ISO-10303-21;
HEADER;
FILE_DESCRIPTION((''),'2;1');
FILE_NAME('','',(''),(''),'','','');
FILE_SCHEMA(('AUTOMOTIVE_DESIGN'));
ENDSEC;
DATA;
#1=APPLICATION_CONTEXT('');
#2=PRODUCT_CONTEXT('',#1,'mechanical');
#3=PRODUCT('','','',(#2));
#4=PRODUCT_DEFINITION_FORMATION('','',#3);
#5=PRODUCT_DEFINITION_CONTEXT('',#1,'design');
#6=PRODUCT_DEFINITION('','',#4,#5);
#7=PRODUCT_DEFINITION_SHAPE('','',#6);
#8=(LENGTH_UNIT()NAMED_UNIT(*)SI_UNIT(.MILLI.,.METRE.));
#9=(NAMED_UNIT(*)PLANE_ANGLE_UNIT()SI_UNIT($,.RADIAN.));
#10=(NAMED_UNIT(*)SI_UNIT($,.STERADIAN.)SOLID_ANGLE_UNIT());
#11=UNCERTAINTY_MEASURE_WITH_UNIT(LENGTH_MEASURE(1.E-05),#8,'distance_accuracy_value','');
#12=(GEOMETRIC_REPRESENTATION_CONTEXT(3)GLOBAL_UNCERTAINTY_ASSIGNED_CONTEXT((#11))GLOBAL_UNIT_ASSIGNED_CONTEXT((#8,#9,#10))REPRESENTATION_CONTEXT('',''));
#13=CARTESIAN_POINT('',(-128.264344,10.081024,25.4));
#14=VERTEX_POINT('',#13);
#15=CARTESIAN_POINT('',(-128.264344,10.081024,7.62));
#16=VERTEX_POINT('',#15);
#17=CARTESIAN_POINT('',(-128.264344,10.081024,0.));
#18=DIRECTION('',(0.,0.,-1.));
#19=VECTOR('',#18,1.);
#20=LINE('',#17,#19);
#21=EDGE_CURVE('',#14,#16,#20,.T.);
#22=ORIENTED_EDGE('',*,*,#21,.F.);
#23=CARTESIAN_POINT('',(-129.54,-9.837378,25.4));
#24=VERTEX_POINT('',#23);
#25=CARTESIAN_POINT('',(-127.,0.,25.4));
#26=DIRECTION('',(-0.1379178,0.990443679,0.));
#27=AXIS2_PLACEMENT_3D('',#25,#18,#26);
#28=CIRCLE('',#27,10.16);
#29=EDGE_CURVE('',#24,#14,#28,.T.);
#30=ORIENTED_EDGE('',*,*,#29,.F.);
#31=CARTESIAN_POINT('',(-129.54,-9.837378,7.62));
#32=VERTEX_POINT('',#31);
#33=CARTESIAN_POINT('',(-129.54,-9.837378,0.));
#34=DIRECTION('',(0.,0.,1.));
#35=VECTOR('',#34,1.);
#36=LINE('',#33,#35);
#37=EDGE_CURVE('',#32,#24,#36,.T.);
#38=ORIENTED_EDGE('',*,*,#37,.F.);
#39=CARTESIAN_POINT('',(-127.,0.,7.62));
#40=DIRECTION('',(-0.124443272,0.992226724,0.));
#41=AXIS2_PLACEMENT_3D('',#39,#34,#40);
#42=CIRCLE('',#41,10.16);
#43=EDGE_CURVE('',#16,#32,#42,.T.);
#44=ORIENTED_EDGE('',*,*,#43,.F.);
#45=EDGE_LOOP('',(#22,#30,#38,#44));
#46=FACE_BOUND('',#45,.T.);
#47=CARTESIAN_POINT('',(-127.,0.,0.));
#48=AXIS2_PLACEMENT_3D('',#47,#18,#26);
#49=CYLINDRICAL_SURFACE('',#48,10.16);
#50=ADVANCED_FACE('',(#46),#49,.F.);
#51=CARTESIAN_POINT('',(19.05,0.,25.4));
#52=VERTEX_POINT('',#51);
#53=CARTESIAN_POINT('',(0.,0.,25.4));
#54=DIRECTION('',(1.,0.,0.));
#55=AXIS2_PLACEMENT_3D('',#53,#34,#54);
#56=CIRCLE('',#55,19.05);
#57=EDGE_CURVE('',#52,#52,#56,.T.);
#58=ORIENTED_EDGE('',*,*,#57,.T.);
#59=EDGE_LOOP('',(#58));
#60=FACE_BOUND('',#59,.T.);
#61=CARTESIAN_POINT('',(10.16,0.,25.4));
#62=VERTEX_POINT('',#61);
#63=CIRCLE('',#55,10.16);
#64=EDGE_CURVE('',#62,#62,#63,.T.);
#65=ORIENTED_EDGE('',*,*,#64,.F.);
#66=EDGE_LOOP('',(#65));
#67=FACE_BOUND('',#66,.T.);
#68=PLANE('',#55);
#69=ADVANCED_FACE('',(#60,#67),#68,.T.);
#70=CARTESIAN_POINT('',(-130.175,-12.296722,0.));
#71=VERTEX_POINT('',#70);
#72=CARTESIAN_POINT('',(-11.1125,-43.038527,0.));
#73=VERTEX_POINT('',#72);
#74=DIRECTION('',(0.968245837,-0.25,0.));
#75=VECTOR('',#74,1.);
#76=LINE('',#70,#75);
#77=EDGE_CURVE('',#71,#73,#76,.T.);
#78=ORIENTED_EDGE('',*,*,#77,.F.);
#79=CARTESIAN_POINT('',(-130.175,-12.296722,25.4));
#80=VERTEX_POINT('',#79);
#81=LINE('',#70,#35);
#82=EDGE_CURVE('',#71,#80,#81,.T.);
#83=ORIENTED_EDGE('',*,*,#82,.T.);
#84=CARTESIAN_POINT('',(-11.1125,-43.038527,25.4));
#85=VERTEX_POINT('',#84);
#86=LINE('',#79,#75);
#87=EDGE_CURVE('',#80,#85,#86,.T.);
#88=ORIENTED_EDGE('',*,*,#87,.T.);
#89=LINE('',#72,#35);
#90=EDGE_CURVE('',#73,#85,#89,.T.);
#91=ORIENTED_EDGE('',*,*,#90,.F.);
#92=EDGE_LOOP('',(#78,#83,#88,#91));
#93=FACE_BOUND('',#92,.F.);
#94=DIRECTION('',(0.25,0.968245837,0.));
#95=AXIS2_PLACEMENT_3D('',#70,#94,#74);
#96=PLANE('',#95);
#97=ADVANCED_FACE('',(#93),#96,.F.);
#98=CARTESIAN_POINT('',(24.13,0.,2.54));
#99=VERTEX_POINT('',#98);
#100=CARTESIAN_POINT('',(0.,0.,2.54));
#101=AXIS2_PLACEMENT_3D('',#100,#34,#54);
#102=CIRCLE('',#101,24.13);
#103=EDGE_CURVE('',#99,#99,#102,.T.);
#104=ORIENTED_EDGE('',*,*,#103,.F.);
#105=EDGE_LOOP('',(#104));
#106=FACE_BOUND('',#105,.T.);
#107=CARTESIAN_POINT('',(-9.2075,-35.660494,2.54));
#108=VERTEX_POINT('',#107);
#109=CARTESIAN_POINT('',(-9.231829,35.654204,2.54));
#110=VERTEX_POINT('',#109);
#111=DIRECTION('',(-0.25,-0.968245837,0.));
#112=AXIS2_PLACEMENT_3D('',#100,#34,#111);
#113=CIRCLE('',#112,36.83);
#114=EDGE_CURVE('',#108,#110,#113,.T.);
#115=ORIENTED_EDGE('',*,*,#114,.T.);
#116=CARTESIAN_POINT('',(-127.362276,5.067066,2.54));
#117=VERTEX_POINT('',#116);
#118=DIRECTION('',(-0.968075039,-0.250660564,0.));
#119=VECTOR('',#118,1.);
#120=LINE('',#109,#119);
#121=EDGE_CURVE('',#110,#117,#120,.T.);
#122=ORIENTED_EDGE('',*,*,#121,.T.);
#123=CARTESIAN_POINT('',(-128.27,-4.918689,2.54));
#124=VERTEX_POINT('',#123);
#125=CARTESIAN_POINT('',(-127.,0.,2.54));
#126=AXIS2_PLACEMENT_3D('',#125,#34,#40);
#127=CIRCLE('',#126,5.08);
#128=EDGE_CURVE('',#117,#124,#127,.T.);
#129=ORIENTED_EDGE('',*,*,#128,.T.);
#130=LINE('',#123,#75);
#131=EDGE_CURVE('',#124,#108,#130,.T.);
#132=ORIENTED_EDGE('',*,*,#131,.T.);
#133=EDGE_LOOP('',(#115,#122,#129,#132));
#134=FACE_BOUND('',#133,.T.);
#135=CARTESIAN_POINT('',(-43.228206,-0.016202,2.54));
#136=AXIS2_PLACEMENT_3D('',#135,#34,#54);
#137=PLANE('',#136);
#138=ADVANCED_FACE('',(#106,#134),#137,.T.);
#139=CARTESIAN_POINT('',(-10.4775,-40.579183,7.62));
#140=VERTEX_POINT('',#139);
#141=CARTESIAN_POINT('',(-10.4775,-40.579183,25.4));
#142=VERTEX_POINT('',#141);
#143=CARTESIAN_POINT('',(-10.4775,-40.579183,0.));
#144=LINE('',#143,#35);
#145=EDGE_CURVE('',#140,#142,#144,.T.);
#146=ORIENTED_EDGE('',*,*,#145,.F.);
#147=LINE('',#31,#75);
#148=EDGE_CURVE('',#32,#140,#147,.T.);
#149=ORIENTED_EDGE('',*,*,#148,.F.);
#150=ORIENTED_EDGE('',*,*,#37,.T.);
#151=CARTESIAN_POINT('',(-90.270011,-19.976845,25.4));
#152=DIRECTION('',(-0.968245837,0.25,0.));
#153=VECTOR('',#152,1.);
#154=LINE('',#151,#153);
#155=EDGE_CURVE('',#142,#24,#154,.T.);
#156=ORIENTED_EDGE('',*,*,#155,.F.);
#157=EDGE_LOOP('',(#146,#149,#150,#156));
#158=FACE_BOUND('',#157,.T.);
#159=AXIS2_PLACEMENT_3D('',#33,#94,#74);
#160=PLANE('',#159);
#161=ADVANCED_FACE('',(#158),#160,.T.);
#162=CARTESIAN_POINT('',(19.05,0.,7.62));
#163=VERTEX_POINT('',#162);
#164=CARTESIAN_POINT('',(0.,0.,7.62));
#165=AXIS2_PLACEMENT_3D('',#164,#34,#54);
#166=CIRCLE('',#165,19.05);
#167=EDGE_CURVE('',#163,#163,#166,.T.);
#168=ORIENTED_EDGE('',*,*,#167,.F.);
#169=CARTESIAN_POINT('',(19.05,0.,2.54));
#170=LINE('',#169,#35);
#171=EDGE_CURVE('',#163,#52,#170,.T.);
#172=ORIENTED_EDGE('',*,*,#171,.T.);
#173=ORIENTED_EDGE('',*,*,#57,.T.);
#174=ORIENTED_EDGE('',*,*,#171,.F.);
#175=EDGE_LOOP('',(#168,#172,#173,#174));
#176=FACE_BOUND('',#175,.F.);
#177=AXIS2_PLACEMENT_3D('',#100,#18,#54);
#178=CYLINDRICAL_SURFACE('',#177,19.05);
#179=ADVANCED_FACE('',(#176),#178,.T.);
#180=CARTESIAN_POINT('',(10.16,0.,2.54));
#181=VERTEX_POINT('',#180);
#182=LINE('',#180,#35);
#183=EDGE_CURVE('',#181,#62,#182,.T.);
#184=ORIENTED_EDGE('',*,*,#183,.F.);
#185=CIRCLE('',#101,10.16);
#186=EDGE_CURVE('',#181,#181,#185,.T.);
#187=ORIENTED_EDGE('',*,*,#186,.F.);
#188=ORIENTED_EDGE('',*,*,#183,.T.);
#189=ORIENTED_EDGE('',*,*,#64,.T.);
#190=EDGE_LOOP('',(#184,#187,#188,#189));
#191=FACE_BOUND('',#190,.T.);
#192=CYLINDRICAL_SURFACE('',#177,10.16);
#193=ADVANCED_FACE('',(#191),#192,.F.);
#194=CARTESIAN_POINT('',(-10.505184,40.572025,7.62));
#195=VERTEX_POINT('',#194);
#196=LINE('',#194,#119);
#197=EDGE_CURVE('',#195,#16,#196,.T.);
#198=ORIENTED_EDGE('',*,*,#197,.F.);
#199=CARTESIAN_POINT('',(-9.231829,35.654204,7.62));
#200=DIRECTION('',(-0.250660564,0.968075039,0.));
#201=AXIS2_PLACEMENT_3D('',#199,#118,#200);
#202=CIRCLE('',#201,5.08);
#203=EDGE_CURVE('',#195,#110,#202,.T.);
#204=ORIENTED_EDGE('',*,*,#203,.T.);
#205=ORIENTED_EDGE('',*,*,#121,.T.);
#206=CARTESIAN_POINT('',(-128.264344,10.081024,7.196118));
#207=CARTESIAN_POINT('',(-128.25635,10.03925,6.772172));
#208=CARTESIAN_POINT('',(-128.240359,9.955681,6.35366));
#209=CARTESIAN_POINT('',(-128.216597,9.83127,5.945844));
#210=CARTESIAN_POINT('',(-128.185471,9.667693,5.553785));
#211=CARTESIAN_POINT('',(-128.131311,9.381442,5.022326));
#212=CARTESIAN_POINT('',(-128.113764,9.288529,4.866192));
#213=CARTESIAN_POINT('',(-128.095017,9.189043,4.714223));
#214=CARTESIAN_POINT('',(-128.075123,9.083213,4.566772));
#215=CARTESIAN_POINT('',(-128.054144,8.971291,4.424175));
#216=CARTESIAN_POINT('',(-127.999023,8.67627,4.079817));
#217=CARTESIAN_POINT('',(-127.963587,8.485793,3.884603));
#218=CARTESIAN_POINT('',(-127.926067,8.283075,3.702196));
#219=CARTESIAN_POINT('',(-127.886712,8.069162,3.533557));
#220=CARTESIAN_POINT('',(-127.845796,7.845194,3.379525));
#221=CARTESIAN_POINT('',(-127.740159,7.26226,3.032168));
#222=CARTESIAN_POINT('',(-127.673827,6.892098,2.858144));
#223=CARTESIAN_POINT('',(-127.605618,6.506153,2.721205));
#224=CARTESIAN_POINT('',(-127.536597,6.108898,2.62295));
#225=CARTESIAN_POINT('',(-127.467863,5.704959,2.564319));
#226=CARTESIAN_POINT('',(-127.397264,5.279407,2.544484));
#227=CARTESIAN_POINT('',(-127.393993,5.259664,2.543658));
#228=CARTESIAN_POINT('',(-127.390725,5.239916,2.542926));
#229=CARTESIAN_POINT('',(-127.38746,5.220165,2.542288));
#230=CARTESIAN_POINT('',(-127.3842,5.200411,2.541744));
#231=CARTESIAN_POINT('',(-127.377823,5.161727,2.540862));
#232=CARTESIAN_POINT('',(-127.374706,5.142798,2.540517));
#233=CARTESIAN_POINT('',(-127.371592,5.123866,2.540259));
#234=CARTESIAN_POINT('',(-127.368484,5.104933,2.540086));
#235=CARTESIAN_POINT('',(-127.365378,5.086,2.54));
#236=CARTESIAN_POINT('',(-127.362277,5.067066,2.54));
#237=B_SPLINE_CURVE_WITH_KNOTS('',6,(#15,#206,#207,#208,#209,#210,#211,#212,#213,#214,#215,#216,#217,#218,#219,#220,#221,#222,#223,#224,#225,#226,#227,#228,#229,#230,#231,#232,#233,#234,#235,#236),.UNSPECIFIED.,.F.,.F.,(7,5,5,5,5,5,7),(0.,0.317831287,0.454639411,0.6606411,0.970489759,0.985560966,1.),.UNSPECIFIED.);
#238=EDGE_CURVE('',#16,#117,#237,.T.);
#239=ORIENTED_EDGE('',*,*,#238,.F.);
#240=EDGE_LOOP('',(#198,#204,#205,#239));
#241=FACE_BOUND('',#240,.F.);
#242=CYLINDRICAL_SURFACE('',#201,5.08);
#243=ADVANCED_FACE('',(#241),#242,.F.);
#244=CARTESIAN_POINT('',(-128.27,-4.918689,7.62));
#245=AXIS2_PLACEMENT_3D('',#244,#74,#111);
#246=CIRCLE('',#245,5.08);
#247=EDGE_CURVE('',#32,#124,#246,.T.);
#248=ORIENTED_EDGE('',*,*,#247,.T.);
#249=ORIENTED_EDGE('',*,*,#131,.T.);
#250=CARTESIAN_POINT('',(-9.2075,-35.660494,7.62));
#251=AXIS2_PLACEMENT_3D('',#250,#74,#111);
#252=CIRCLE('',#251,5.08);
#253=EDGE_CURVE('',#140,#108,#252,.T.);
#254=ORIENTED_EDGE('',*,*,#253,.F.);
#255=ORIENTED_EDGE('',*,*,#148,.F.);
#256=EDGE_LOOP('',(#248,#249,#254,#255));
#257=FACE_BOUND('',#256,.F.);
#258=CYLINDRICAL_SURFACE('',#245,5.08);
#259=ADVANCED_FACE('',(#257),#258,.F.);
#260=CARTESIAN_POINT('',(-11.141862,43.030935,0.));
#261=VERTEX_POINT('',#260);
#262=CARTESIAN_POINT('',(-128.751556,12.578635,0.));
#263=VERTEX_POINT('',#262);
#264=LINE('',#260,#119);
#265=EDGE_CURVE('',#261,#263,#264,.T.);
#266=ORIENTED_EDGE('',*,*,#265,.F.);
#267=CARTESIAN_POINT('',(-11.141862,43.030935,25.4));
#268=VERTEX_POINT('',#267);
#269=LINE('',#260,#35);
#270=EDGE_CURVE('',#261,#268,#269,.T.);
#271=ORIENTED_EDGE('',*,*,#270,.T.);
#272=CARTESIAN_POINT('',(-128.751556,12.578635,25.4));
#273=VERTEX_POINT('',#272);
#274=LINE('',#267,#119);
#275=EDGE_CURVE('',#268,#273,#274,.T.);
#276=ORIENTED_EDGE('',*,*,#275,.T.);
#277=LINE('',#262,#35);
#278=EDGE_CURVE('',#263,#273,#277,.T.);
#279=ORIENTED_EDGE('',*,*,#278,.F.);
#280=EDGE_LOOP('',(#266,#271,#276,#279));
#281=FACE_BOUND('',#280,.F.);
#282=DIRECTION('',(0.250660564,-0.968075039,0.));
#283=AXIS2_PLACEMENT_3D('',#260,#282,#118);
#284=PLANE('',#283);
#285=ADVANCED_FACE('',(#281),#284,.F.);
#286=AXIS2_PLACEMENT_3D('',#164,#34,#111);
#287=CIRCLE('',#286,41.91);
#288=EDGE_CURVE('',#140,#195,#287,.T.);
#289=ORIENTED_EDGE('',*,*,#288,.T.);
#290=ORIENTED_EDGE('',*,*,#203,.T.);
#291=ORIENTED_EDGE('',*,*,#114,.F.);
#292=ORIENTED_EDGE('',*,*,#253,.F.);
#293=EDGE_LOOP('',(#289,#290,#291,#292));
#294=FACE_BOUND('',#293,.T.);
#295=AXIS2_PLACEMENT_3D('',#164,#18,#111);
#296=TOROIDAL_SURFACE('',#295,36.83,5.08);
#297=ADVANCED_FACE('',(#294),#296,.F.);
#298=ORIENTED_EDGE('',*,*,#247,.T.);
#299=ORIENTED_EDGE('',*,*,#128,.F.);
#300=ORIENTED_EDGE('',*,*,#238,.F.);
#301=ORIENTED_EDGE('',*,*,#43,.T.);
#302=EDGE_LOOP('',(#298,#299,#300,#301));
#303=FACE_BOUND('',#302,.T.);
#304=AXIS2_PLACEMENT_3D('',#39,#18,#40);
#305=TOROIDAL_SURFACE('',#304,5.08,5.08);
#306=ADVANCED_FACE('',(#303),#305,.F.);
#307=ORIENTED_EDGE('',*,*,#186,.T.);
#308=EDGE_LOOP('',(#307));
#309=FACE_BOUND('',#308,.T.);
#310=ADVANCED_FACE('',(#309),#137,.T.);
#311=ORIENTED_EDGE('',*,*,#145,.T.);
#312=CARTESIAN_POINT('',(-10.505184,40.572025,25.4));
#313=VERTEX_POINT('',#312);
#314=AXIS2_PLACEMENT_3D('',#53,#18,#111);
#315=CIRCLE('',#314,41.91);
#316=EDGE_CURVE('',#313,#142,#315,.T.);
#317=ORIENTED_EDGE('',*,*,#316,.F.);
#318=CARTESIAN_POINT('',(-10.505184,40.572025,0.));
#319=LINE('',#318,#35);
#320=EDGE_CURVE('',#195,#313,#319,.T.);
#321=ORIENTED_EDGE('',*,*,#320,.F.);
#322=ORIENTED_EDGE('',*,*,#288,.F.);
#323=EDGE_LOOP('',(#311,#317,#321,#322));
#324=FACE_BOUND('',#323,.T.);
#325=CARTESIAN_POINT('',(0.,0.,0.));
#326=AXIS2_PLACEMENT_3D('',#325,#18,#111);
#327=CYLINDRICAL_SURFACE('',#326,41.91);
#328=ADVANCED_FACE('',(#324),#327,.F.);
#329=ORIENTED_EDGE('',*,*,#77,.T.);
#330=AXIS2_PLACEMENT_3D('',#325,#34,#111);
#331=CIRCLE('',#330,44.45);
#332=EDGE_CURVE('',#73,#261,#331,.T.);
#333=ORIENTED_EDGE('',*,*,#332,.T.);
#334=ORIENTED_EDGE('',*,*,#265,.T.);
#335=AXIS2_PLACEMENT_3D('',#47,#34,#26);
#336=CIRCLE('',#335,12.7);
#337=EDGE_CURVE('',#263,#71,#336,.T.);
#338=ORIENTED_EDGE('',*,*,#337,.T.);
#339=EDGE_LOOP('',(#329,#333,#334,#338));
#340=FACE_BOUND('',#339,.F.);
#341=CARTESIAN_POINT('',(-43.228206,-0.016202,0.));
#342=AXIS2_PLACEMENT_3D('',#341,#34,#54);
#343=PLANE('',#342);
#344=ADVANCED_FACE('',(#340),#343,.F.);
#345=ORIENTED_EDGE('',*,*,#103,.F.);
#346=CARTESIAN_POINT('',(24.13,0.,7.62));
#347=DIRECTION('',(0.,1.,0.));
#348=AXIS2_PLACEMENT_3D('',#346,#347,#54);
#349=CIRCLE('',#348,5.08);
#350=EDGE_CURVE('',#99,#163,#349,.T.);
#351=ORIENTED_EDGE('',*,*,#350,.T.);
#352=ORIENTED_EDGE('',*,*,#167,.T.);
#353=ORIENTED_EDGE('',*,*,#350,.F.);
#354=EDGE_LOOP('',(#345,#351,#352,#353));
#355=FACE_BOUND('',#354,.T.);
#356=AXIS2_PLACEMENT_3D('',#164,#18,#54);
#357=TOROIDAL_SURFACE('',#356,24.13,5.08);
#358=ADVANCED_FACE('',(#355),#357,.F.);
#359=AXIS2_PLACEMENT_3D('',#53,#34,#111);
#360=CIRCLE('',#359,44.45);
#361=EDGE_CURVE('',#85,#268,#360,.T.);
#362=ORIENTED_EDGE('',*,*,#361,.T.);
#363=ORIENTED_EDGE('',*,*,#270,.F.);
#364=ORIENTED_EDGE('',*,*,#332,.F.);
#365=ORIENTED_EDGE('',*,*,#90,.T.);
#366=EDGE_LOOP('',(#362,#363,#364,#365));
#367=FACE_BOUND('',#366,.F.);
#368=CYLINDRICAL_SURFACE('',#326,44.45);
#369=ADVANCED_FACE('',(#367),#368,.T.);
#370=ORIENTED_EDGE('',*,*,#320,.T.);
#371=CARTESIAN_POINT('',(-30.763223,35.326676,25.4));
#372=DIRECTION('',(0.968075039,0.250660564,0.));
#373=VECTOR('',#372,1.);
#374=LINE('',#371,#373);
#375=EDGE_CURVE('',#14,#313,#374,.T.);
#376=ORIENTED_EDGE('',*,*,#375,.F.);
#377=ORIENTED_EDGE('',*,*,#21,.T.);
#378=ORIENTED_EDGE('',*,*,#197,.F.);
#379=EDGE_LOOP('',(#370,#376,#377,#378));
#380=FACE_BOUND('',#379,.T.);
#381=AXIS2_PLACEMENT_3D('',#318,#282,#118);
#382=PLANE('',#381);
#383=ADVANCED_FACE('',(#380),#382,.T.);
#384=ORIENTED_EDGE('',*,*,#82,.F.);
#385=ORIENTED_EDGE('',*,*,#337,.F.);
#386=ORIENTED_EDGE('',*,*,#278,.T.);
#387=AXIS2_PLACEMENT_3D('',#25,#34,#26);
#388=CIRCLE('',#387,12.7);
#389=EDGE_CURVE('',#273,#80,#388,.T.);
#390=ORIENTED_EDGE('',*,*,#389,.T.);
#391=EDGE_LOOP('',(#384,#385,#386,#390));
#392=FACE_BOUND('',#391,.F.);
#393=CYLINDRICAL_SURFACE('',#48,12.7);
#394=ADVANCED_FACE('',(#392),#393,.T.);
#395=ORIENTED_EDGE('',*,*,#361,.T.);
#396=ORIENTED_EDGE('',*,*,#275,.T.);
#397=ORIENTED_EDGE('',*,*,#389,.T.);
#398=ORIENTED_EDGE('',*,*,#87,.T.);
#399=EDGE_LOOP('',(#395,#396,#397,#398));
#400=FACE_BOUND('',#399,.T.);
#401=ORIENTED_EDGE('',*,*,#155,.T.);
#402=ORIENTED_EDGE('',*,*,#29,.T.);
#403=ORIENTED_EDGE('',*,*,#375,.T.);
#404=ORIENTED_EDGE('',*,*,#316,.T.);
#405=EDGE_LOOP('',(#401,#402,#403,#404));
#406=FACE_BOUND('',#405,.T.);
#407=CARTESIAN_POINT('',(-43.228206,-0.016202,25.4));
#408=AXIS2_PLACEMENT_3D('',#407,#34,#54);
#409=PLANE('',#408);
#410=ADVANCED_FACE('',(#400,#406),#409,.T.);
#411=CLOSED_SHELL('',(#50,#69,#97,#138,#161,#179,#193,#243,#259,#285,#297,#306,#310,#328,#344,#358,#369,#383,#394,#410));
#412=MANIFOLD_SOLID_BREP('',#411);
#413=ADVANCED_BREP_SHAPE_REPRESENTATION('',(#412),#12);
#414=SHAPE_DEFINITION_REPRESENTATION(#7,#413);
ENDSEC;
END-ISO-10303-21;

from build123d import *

# Parameters (mm, degrees)
F1_DEPTH = 25.4
F2_T     = -2.54
F3_R     = 19.05
F3_R_2   = 10.16
F4_DEPTH = 22.86
F5_R     = 5.08


with BuildPart() as f1:
    # F0 (on Top) → F1 (new body)
    with BuildSketch(Plane.XY):
        with BuildLine():
            Line((-130.175, -12.2967221242), (-11.1125, -43.0385274347))
            ThreePointArc((-11.1125, -43.0385274347), (44.4499974135, 0.0151638522), (-11.1418620852, 43.0309354915))
            Line((-11.1418620852, 43.0309354915), (-128.75155606, 12.578634718))
            ThreePointArc((-128.75155606, 12.578634718), (-139.6792579893, 0.7255458912), (-130.175, -12.2967221242))
        make_face()
    extrude(amount=F1_DEPTH)

    # F2
    f2_openings = [f1.faces().sort_by_distance(p)[0] for p in [
        (-33.44475, -0.010622, 25.4),
    ]]
    offset(amount=F2_T, openings=f2_openings, kind=Kind.INTERSECTION)

    # F3 (on face) → F4 (join, through all)
    with BuildSketch(Plane.XY.offset(2.54)):
        Circle(F3_R)
        Circle(F3_R_2, mode=Mode.SUBTRACT)
    extrude(amount=F4_DEPTH)

    # F5
    f5_edges = [f1.edges().sort_by_distance(p)[0] for p in [
        (-19.05, 0, 2.54),
        (-69.384764, 25.326524, 2.54),
        (41.909998, 0.014297, 2.54),
        (-137.139228, 0.649358, 2.54),
        (-70.00875, -25.20828, 2.54),
    ]]
    fillet(f5_edges, radius=F5_R)


solid = f1.part
